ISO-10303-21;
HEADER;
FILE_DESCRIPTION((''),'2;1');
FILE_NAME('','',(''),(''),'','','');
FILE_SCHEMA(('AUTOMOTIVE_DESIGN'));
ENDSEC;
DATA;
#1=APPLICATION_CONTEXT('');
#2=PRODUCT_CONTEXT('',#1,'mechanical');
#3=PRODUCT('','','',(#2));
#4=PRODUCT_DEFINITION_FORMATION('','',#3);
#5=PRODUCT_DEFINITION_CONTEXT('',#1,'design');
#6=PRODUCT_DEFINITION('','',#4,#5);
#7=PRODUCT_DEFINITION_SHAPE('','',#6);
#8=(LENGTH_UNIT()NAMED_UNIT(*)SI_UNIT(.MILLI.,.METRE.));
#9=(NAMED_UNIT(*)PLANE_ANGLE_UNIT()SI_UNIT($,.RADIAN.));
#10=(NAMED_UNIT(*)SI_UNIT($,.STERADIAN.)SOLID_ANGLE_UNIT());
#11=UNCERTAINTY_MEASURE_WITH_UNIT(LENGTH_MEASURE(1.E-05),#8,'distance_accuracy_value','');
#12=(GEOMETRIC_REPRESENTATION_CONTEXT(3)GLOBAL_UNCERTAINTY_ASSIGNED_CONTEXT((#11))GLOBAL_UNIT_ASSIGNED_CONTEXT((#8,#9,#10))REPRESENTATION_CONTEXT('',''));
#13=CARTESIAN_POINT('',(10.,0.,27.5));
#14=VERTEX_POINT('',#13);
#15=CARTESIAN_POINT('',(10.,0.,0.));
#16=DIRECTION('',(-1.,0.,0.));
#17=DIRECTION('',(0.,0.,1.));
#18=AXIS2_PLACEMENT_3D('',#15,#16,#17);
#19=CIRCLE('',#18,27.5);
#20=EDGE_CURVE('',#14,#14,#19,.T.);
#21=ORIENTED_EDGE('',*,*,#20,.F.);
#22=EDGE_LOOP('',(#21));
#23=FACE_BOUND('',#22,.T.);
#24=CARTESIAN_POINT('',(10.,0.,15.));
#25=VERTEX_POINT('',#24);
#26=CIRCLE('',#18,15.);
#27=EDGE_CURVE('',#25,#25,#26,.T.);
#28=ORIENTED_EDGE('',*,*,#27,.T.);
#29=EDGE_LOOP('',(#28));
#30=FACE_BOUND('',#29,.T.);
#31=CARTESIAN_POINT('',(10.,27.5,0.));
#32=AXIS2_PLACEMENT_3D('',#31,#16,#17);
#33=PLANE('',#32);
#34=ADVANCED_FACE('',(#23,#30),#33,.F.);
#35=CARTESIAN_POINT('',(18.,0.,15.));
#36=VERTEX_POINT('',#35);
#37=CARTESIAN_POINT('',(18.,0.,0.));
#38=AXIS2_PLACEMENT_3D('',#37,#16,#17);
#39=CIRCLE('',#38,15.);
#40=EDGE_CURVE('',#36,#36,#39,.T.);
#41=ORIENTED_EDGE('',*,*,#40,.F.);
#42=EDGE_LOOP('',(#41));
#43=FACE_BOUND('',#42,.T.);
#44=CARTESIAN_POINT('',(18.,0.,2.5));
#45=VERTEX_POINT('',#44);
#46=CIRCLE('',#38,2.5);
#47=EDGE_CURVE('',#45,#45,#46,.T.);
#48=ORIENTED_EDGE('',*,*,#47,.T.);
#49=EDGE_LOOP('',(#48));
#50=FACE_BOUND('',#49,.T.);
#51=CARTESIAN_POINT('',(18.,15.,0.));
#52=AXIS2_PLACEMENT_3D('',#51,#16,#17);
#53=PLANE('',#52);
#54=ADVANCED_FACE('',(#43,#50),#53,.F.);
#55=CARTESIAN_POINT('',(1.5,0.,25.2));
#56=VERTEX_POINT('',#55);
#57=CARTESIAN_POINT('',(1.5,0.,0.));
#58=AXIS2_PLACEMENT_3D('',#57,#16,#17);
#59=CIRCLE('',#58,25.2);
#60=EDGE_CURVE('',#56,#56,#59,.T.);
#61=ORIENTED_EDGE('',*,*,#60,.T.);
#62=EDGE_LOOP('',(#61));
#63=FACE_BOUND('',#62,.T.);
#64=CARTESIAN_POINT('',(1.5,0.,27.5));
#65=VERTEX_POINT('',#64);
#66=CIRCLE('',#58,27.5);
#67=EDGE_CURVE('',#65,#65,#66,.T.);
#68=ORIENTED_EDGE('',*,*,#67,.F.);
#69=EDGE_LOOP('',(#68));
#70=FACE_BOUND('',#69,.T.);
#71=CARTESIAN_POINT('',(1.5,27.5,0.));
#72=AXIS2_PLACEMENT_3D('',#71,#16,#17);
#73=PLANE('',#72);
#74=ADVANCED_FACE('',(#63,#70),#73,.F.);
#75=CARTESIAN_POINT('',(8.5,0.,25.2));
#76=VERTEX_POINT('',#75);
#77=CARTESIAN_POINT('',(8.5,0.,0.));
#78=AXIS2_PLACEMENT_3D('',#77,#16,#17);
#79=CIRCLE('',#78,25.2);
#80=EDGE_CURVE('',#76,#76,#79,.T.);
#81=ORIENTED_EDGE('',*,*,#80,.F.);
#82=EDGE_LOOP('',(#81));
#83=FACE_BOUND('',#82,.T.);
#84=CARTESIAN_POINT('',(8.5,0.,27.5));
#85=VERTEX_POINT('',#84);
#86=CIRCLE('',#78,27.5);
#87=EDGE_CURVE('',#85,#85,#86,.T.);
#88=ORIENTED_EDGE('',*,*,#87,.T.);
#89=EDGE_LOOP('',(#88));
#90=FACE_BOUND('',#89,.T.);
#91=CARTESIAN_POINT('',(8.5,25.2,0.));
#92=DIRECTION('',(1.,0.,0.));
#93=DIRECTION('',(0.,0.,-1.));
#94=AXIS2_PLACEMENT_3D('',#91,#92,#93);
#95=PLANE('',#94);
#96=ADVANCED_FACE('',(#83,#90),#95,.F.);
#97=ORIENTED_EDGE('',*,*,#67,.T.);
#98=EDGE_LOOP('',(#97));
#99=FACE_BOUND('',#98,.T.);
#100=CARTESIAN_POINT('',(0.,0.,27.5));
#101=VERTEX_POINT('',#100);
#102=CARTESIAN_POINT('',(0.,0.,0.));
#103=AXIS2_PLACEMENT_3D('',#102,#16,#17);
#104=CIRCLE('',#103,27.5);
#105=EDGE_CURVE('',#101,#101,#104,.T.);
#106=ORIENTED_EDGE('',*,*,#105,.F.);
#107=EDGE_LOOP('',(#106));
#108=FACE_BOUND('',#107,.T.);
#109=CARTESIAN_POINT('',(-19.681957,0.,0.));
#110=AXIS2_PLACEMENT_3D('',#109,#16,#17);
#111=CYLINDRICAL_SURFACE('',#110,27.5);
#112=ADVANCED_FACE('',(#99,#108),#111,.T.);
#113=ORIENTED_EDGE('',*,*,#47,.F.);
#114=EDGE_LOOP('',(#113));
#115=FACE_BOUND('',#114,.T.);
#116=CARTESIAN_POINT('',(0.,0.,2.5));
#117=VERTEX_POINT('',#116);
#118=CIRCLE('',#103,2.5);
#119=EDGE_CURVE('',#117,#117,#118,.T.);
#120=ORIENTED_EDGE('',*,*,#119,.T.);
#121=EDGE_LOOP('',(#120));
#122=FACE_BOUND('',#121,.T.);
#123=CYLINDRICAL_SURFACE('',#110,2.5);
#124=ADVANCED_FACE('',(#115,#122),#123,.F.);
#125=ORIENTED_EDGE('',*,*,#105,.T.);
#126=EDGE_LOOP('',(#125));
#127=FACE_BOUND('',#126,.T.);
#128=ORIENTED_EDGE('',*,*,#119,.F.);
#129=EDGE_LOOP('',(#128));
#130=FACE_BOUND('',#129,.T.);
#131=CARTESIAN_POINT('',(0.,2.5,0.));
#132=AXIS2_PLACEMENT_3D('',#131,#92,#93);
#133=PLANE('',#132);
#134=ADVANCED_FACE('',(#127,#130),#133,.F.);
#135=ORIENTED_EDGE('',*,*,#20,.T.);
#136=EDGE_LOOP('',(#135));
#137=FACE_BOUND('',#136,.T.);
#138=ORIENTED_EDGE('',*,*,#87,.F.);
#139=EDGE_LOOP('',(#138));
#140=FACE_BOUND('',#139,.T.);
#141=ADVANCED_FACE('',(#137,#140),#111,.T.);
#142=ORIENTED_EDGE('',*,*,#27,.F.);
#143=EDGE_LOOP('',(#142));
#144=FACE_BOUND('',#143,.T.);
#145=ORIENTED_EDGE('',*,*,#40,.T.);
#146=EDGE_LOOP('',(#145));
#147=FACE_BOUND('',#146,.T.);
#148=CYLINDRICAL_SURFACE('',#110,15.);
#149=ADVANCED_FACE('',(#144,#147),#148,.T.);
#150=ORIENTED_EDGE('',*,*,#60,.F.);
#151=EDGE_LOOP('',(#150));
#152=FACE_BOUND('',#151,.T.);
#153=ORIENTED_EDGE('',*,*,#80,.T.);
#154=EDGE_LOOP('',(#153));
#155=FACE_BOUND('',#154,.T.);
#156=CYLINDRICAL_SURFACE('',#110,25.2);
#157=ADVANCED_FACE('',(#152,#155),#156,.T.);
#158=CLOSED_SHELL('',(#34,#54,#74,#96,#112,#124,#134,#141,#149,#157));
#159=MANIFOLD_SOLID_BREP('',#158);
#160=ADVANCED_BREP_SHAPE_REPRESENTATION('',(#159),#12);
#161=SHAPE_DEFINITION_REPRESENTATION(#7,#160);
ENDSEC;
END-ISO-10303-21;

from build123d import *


with BuildPart() as part:
    # Sketch1 → Revolve1 (revolve)
    with BuildSketch(Plane.XY, mode=Mode.PRIVATE) as revolve1_sk:
        Polygon((0, 2.5), (0, 27.5), (1.5, 27.5), (1.5, 25.2), (8.5, 25.2), (8.5, 27.5), (10, 27.5), (10, 15), (18, 15), (18, 2.5), align=None)
    revolve(revolve1_sk.sketch.rotate(Axis((-19.68195685, 0, 0), (1, 0, 0)), 90), axis=Axis((-19.68195685, 0, 0), (1, 0, 0)))


solid = part.part
